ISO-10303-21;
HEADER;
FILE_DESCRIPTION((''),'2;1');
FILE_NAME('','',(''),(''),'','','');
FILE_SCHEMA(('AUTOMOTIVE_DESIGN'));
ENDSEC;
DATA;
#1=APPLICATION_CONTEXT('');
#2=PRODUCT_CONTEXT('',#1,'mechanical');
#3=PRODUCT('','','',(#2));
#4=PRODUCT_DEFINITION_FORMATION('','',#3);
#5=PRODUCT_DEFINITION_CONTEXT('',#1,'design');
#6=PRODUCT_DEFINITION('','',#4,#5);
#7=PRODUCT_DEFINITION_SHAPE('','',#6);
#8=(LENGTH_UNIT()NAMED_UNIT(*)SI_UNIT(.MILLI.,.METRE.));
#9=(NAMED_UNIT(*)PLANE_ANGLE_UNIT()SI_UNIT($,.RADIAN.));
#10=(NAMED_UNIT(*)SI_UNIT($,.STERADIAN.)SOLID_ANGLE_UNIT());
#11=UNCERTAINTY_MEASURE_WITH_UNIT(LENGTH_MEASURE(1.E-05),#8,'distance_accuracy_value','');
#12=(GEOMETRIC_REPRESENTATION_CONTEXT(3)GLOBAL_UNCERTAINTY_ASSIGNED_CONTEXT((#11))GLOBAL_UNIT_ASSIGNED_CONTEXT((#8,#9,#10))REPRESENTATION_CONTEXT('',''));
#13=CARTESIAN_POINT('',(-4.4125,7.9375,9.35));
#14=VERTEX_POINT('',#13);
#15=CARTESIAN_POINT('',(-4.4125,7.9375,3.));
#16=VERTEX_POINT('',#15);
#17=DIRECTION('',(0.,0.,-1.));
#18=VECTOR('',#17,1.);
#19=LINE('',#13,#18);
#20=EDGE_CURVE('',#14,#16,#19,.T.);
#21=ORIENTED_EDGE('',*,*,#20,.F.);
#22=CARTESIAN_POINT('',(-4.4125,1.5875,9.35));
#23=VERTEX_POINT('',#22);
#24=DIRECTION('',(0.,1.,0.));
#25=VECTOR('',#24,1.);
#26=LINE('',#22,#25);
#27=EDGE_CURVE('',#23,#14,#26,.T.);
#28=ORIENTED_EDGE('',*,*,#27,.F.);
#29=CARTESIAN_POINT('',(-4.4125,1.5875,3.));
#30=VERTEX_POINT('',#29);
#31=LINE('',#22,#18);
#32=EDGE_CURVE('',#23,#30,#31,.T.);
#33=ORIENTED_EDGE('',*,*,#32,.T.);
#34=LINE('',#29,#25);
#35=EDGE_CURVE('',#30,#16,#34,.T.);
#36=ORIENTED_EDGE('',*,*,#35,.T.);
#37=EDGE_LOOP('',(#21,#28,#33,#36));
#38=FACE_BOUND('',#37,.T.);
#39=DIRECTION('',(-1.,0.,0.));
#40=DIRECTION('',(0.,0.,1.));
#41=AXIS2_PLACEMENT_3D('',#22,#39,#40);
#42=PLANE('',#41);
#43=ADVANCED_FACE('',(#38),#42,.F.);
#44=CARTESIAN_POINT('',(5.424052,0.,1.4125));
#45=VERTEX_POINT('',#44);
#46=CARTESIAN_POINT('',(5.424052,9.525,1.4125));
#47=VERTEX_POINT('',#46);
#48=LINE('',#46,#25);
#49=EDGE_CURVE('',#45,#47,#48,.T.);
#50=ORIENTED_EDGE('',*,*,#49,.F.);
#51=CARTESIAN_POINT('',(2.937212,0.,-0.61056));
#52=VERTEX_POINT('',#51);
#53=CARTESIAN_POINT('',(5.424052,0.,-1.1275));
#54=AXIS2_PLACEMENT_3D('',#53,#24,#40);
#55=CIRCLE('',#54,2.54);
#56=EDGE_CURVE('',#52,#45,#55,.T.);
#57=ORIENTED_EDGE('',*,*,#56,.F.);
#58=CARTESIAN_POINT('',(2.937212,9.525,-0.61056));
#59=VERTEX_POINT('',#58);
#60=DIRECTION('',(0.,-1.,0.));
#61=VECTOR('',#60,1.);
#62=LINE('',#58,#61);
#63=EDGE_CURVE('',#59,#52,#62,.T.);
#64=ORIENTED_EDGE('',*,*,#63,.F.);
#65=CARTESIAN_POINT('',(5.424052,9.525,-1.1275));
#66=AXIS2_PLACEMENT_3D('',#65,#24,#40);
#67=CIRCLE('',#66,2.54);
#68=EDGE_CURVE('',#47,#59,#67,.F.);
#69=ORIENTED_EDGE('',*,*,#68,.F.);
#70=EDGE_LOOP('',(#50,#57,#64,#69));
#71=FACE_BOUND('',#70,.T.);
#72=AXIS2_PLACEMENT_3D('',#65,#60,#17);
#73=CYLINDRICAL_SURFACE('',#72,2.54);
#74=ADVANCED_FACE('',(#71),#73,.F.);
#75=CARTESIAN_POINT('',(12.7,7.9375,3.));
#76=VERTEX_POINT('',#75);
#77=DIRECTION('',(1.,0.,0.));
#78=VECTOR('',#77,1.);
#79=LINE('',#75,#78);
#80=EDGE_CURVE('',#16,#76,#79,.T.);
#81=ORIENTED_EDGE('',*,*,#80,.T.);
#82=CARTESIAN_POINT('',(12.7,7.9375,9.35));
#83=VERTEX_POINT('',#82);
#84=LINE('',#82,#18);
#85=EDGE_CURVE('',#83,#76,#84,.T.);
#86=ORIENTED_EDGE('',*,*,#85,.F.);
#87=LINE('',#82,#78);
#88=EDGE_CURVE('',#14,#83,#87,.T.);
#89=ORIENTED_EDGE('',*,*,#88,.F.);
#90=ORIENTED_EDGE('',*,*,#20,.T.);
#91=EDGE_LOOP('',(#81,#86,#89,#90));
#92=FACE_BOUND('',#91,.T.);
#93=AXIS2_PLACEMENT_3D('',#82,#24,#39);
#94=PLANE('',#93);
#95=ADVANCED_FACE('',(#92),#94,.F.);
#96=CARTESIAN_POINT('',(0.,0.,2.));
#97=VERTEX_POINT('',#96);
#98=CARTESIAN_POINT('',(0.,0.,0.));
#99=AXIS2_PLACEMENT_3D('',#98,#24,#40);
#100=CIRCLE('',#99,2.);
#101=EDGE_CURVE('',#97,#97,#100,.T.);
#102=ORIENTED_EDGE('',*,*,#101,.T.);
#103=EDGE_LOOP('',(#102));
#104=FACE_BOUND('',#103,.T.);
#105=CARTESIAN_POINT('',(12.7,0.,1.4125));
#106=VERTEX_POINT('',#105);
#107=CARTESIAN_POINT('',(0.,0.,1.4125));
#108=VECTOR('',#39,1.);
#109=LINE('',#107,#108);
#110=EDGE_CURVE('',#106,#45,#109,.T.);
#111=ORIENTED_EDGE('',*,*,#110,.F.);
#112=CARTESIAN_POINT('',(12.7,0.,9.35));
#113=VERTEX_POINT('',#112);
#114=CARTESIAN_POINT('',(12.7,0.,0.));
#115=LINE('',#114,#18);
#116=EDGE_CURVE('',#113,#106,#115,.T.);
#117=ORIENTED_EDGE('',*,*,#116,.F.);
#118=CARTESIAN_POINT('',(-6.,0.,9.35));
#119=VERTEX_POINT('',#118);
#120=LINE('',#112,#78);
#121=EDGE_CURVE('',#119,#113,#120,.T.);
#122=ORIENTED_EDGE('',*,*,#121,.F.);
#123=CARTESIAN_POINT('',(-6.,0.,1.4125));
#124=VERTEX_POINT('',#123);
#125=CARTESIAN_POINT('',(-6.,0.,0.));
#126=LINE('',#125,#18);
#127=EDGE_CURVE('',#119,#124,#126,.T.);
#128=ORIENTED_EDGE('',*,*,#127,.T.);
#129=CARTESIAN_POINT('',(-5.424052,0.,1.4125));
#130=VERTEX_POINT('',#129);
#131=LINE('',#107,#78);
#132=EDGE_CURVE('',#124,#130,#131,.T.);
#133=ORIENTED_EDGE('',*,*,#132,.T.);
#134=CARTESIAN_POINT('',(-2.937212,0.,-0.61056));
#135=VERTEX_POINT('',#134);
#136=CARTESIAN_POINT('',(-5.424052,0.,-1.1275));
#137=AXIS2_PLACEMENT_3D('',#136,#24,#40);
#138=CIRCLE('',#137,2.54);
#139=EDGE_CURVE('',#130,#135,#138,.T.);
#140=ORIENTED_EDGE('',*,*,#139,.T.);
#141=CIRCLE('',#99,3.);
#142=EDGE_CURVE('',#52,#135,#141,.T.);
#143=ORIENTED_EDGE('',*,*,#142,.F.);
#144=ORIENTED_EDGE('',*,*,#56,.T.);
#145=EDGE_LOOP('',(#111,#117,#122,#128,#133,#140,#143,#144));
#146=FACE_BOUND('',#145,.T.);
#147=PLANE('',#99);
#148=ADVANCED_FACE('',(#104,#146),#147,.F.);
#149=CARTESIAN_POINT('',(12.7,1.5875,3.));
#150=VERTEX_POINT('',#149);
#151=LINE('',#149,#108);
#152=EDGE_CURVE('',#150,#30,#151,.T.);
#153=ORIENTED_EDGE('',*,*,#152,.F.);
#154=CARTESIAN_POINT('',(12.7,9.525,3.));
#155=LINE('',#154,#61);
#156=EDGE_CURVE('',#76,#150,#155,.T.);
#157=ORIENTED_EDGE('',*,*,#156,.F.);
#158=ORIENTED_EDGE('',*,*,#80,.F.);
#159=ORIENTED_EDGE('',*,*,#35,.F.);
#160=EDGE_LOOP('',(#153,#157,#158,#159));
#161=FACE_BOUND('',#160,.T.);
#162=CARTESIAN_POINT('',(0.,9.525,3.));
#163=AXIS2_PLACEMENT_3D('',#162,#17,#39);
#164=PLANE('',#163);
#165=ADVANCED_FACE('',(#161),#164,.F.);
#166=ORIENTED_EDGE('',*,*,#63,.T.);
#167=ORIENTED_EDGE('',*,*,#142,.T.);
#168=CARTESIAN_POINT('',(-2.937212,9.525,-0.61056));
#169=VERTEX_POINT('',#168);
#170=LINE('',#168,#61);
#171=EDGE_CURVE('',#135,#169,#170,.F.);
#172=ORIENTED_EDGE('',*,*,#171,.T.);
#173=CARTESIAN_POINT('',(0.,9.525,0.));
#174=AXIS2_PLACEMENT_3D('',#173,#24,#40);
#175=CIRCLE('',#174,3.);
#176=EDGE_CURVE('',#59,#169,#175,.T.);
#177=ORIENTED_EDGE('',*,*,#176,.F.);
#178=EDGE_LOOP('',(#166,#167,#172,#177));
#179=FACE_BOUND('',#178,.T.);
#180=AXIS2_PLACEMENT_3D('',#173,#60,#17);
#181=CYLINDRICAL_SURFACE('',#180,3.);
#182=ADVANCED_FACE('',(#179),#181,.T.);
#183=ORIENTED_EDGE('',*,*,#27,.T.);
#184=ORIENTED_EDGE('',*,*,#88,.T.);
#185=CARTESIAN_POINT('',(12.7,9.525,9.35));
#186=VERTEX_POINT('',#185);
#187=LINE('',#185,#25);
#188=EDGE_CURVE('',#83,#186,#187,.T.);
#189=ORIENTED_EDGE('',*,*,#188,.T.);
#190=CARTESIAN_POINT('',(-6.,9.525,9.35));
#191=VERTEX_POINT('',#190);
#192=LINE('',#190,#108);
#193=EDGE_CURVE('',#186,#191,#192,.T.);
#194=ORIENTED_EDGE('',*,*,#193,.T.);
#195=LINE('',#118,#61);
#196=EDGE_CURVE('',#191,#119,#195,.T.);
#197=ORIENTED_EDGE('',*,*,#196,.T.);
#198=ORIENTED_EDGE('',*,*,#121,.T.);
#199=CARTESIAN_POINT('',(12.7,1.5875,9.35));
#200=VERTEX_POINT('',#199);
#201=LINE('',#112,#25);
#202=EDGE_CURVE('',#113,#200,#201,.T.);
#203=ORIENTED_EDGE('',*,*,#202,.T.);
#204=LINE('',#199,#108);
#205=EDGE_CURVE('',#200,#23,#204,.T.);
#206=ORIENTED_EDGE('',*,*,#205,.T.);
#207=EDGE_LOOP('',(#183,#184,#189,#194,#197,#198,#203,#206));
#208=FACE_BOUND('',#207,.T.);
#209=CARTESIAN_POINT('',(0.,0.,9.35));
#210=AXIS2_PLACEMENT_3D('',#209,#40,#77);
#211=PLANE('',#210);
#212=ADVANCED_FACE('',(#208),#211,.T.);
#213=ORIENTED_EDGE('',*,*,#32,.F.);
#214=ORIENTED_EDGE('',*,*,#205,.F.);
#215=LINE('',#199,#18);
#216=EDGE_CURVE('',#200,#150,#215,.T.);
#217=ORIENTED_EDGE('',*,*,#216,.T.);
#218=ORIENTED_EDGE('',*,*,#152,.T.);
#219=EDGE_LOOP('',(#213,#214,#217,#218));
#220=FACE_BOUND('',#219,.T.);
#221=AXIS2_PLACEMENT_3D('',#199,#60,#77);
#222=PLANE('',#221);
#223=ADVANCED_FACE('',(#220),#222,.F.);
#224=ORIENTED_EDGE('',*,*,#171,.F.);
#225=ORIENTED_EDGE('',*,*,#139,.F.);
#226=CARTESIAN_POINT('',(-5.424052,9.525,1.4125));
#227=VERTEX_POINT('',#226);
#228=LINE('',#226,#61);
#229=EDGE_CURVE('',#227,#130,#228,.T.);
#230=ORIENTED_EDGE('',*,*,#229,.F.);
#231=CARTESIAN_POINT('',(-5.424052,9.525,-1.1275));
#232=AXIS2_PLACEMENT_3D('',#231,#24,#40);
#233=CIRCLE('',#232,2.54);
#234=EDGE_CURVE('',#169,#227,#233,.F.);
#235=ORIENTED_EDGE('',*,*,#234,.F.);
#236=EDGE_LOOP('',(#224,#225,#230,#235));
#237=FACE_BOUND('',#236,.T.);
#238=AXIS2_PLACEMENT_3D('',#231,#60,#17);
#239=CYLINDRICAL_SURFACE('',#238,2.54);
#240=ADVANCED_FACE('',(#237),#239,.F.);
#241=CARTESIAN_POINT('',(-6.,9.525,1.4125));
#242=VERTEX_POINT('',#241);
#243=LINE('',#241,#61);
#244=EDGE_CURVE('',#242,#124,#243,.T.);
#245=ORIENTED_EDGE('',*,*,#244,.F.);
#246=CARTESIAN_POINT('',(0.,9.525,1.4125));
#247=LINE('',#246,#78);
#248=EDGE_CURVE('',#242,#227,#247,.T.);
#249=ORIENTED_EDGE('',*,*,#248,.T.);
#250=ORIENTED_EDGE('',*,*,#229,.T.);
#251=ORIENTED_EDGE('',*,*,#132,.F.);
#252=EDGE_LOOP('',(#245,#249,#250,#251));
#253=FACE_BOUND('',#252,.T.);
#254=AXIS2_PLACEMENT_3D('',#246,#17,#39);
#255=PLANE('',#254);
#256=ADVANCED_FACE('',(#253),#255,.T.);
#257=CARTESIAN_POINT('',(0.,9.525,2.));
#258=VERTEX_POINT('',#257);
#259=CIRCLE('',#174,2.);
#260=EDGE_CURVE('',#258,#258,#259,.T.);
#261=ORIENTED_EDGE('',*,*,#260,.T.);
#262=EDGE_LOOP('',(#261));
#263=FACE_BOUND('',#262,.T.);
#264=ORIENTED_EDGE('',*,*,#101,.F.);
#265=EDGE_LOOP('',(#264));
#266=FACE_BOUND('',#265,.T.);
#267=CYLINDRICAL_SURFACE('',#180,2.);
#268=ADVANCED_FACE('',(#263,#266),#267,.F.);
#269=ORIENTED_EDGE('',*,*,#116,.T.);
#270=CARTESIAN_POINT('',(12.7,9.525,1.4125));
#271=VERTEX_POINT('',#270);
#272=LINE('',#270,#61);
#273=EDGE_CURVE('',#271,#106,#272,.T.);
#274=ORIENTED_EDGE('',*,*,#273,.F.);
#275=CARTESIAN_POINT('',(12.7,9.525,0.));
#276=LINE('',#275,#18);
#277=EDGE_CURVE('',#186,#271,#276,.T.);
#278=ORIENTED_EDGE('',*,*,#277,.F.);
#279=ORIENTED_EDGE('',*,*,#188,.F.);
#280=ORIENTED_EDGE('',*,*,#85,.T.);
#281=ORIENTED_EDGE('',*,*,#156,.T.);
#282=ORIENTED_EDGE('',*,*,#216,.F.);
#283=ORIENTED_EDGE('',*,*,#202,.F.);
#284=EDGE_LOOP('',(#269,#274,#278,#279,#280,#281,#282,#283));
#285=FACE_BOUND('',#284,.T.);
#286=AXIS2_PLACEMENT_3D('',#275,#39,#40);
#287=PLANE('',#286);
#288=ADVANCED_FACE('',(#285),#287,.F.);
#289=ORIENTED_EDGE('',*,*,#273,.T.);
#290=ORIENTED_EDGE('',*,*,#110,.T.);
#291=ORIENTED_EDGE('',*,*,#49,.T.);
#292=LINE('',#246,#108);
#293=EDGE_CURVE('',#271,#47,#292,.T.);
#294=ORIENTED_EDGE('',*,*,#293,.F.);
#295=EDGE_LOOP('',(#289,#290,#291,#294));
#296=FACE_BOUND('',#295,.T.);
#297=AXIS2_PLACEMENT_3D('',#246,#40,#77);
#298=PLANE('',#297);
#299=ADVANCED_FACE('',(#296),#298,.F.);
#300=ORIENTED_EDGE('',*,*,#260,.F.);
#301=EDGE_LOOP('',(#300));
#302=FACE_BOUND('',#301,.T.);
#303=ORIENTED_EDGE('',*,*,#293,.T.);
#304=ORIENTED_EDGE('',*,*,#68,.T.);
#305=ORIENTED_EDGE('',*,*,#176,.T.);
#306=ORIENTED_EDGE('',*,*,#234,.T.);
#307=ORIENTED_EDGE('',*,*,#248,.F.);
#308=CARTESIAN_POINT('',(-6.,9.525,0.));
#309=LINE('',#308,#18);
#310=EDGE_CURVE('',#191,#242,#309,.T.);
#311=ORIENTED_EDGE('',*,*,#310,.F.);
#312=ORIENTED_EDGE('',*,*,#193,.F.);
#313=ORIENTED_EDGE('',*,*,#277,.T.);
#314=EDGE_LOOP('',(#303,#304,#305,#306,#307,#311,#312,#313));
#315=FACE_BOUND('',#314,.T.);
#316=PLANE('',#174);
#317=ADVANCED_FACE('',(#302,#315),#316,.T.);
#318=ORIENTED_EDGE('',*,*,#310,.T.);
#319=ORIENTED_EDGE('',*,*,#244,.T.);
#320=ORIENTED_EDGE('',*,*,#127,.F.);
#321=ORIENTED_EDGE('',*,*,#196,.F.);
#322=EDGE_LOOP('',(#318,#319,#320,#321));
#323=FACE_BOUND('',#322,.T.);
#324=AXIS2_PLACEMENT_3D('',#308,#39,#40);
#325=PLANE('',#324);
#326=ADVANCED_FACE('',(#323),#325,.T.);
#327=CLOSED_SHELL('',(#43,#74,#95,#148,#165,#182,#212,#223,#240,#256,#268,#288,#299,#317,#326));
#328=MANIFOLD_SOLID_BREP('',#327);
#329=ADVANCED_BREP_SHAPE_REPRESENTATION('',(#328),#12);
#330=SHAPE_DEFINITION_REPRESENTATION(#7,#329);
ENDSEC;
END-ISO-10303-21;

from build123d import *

# Parameters (mm, degrees)
SKETCH1_R           = 2
BOSS_EXTRUDE1_DEPTH = 9.525
FILLET1_R           = 2.54
BOSS_EXTRUDE2_DEPTH = 6.35


with BuildPart() as part:
    # Sketch1 → Boss-Extrude1 (new body)
    with BuildSketch(Plane(origin=(0, 0, 0), x_dir=(1, 0, 0), z_dir=(0, 1, 0))):
        with BuildLine():
            Line((-6, -1.4125), (-6, -3))
            Line((-6, -3), (12.7, -3))
            Line((12.7, -3), (12.7, -1.4125))
            Line((12.7, -1.4125), (2.646666535, -1.4125))
            ThreePointArc((2.646666535, -1.4125), (0, 3), (-2.646666535, -1.4125))
            Line((-2.646666535, -1.4125), (-6, -1.4125))
        make_face()
        Circle(SKETCH1_R, mode=Mode.SUBTRACT)
    extrude(amount=BOSS_EXTRUDE1_DEPTH)

    # Fillet1
    fillet1_edges = [part.edges().sort_by_distance(p)[0] for p in [
        (-2.646666535, 4.7625, 1.4125),
        (2.646666535, 4.7625, 1.4125),
    ]]
    fillet(fillet1_edges, radius=FILLET1_R)

    # Sketch2 → Boss-Extrude2 (add)
    with BuildSketch(Plane.XY.offset(3)):
        Polygon((12.7, 0), (-6, 0), (-6, 9.525), (12.7, 9.525), (12.7, 7.9375), (-4.4125, 7.9375), (-4.4125, 1.5875), (12.7, 1.5875), align=None)
    extrude(amount=BOSS_EXTRUDE2_DEPTH)


solid = part.part
